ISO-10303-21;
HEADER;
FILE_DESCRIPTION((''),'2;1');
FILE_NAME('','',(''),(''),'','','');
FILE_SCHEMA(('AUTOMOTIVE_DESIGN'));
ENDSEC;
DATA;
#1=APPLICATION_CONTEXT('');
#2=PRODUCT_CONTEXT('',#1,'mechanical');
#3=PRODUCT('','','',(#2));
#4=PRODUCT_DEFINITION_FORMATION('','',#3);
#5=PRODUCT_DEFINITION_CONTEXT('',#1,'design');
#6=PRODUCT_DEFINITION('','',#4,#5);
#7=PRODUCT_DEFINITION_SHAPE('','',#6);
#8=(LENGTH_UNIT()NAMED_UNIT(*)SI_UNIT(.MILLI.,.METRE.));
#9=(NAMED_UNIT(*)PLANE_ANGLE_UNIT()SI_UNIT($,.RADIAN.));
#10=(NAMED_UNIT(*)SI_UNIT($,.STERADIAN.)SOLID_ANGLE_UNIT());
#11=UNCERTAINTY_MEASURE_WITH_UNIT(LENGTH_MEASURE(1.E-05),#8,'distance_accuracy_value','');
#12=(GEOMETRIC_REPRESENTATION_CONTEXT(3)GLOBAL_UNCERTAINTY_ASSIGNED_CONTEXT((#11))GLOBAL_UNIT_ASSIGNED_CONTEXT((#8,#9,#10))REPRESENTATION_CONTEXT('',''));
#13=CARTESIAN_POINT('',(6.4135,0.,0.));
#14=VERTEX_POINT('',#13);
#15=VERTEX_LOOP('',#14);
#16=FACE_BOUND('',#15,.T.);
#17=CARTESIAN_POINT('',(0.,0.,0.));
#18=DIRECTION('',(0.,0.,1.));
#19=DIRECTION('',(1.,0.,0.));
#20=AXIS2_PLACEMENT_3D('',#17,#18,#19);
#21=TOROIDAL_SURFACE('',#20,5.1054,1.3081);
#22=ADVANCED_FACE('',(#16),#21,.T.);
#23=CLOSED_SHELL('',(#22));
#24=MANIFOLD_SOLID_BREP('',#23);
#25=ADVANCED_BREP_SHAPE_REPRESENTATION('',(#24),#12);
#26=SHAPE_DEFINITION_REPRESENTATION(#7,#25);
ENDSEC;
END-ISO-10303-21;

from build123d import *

# Parameters (mm, degrees)
SKETCH1_R = 1.3081


with BuildPart() as part:
    # Sketch1 → Revolve1 (revolve)
    with BuildSketch(Plane(origin=(0, 0, 0), x_dir=(0, -1, 0), z_dir=(1, 0, 0)), mode=Mode.PRIVATE) as revolve1_sk:
        with Locations((5.1054, 0)):
            Circle(SKETCH1_R)
    revolve(revolve1_sk.sketch.rotate(Axis((0, 0, 1.3081), (0, 0, -1)), 270), axis=Axis((0, 0, 1.3081), (0, 0, -1)))


solid = part.part
